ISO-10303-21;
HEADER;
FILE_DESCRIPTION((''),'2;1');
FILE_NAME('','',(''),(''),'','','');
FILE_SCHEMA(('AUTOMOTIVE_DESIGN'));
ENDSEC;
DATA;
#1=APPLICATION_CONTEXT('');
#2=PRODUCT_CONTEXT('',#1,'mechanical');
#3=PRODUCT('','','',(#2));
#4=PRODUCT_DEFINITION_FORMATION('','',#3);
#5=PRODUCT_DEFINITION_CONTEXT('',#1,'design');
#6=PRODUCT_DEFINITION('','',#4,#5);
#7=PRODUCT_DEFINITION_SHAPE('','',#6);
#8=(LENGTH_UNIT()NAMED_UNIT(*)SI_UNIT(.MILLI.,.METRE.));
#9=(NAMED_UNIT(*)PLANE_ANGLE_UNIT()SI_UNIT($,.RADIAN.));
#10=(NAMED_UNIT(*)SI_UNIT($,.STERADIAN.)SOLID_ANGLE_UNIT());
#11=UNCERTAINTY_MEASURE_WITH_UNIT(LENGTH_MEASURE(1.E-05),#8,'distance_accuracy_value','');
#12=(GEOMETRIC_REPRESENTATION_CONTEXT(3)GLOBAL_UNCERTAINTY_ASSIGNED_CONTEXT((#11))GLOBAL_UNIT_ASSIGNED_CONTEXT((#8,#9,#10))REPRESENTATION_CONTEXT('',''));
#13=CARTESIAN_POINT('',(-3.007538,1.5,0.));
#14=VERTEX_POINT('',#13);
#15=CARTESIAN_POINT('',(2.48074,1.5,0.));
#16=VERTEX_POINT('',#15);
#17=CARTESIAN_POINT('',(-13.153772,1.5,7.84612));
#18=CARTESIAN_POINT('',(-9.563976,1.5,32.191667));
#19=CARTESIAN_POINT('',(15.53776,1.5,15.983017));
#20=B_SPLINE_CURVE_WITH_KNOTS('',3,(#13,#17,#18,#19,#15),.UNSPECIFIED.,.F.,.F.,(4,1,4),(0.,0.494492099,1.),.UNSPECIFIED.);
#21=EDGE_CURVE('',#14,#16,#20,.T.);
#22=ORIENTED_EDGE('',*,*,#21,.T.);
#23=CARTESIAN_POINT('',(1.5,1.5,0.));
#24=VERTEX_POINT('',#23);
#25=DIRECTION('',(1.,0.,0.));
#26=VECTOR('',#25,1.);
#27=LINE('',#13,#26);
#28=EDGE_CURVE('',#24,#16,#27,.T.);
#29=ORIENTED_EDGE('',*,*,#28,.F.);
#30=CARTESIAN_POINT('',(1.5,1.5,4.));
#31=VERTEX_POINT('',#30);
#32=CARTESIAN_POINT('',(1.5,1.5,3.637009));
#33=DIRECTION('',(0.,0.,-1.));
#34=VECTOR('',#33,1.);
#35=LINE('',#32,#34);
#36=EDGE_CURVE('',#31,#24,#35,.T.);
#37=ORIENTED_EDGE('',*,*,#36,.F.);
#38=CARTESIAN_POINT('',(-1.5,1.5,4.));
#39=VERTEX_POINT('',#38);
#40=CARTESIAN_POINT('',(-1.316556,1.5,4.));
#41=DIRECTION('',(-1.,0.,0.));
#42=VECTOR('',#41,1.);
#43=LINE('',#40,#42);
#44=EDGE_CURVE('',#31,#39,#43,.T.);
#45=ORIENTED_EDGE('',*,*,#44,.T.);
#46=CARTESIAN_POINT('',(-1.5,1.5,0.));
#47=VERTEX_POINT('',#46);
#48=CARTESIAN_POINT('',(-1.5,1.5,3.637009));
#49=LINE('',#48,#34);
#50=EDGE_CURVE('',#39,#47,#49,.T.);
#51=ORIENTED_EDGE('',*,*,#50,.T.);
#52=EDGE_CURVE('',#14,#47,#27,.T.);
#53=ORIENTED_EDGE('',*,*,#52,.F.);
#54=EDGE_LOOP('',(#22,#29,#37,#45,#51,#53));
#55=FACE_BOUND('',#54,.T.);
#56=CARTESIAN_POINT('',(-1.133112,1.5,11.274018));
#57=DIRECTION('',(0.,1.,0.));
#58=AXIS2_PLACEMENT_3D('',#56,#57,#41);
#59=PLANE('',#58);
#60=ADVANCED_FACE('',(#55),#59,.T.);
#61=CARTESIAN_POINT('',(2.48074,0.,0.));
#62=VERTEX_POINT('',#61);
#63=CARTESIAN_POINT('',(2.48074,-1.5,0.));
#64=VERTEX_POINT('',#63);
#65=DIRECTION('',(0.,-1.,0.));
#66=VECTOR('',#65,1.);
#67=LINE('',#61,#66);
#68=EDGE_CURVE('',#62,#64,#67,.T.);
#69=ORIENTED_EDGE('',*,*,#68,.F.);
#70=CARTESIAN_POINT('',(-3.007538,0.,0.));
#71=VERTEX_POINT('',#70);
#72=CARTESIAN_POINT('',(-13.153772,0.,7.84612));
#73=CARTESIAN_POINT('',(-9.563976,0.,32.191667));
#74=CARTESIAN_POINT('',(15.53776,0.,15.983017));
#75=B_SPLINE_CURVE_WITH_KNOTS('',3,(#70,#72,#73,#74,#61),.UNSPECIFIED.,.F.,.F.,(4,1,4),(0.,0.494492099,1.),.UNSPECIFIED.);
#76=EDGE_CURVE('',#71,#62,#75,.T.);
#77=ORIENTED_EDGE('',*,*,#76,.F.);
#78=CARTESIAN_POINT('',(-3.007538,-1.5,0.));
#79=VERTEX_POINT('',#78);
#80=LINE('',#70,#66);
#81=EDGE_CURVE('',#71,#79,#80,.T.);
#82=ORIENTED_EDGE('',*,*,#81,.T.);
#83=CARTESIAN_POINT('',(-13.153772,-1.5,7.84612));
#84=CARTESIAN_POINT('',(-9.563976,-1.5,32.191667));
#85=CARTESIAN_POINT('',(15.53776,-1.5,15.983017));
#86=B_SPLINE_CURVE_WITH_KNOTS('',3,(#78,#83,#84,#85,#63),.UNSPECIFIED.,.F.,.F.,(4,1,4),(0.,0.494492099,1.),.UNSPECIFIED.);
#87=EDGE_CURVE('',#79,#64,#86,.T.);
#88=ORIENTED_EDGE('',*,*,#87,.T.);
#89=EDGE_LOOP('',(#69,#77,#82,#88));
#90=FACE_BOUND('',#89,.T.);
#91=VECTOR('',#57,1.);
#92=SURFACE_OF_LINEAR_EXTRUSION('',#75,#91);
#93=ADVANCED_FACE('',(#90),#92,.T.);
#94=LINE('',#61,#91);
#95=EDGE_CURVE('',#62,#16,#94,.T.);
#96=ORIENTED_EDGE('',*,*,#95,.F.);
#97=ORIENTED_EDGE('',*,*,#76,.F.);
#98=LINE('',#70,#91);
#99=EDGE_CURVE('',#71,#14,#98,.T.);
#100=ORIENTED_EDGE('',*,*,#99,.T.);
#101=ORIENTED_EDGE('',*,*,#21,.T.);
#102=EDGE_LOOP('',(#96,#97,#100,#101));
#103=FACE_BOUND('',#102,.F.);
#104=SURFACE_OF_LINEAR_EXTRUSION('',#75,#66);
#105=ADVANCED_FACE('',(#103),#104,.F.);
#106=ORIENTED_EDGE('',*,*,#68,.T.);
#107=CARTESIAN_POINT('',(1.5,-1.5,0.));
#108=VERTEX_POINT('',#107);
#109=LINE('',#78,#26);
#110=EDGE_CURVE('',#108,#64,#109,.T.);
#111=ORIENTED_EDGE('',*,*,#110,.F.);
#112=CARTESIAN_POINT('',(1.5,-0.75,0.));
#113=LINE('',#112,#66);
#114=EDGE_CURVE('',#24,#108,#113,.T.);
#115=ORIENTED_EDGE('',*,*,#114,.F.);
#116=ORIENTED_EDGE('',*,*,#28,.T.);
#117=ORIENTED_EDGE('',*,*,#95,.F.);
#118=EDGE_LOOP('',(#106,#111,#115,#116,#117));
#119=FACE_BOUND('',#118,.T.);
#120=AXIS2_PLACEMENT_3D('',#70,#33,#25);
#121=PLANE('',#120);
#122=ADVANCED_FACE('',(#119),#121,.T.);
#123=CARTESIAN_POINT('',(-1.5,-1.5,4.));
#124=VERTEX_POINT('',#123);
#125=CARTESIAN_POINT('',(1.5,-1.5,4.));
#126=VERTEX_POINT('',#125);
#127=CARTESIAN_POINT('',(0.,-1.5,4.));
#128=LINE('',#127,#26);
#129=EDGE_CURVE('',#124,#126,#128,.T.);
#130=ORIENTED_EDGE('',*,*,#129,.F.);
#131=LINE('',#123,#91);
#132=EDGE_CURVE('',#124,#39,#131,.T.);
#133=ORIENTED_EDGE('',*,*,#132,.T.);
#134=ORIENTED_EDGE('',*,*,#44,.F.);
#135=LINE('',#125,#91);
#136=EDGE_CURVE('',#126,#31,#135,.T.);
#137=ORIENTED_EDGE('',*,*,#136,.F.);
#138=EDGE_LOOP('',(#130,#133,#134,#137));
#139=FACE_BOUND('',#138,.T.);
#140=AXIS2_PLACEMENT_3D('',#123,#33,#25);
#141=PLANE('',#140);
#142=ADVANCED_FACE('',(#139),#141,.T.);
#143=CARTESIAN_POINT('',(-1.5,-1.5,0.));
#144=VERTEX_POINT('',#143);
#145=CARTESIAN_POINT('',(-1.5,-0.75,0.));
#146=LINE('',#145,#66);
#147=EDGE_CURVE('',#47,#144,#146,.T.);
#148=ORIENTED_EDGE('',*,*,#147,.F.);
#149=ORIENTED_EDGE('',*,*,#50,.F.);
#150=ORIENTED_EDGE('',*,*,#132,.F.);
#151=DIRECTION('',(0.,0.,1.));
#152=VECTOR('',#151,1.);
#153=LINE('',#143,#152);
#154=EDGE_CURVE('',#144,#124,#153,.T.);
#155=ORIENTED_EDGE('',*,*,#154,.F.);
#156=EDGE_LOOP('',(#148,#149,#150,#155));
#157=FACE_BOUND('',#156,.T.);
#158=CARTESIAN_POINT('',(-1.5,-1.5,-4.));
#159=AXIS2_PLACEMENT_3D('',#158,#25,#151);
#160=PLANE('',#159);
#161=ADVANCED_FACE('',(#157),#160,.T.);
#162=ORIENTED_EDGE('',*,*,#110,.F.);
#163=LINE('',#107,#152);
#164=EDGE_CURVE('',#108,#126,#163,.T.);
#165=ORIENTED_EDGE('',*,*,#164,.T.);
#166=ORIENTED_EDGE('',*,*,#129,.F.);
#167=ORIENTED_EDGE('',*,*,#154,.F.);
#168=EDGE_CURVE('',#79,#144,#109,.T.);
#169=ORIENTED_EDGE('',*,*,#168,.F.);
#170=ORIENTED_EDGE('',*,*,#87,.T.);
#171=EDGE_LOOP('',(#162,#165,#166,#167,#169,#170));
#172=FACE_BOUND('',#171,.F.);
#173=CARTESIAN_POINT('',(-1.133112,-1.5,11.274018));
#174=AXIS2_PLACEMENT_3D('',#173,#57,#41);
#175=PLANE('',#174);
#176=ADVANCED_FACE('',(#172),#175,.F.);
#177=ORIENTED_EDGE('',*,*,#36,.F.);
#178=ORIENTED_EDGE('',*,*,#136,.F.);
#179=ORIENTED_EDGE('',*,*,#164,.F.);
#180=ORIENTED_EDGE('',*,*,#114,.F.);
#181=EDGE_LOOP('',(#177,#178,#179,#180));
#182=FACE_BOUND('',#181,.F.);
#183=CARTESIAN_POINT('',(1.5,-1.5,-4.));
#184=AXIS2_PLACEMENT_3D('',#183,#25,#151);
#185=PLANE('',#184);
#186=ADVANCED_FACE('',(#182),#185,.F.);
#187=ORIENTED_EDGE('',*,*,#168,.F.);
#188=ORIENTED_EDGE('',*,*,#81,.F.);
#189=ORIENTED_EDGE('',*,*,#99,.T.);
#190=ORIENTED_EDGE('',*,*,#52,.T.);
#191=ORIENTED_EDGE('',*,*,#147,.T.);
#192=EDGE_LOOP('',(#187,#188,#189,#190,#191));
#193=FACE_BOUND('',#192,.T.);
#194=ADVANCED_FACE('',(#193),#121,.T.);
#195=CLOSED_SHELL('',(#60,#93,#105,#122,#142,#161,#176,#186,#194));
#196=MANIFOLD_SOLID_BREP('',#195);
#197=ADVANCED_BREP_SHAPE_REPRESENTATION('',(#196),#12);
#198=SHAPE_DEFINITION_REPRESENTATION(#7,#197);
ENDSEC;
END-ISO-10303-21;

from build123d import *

# Parameters (mm, degrees)
F2_DEPTH = 1.5
F3_W     = 3
F3_H     = 8
F4_DEPTH = 25


with BuildPart() as f2:
    # F1 (on Front) → F2 (new body, symmetric)
    with BuildSketch(Plane.XZ):
        with BuildLine():
            add(Edge.make_bspline(
                [(-3.007538151, 0), (-13.15377192, 7.8461202034), (-9.5639763449, 32.1916673394), (15.5377603027, 15.9830170893), (2.4807401933, 0)],
                knots=[0, 0, 0, 0, 0.4944920993, 1, 1, 1, 1], degree=3))
            Line((-3.007538151, 0), (2.4807401933, 0))
        make_face()
    extrude(amount=F2_DEPTH, both=True)

    # F3 (on face) → F4 (cut)
    with BuildSketch(Plane.XZ.offset(1.5)):
        Rectangle(F3_W, F3_H)
    extrude(amount=-F4_DEPTH, mode=Mode.SUBTRACT)


solid = f2.part
